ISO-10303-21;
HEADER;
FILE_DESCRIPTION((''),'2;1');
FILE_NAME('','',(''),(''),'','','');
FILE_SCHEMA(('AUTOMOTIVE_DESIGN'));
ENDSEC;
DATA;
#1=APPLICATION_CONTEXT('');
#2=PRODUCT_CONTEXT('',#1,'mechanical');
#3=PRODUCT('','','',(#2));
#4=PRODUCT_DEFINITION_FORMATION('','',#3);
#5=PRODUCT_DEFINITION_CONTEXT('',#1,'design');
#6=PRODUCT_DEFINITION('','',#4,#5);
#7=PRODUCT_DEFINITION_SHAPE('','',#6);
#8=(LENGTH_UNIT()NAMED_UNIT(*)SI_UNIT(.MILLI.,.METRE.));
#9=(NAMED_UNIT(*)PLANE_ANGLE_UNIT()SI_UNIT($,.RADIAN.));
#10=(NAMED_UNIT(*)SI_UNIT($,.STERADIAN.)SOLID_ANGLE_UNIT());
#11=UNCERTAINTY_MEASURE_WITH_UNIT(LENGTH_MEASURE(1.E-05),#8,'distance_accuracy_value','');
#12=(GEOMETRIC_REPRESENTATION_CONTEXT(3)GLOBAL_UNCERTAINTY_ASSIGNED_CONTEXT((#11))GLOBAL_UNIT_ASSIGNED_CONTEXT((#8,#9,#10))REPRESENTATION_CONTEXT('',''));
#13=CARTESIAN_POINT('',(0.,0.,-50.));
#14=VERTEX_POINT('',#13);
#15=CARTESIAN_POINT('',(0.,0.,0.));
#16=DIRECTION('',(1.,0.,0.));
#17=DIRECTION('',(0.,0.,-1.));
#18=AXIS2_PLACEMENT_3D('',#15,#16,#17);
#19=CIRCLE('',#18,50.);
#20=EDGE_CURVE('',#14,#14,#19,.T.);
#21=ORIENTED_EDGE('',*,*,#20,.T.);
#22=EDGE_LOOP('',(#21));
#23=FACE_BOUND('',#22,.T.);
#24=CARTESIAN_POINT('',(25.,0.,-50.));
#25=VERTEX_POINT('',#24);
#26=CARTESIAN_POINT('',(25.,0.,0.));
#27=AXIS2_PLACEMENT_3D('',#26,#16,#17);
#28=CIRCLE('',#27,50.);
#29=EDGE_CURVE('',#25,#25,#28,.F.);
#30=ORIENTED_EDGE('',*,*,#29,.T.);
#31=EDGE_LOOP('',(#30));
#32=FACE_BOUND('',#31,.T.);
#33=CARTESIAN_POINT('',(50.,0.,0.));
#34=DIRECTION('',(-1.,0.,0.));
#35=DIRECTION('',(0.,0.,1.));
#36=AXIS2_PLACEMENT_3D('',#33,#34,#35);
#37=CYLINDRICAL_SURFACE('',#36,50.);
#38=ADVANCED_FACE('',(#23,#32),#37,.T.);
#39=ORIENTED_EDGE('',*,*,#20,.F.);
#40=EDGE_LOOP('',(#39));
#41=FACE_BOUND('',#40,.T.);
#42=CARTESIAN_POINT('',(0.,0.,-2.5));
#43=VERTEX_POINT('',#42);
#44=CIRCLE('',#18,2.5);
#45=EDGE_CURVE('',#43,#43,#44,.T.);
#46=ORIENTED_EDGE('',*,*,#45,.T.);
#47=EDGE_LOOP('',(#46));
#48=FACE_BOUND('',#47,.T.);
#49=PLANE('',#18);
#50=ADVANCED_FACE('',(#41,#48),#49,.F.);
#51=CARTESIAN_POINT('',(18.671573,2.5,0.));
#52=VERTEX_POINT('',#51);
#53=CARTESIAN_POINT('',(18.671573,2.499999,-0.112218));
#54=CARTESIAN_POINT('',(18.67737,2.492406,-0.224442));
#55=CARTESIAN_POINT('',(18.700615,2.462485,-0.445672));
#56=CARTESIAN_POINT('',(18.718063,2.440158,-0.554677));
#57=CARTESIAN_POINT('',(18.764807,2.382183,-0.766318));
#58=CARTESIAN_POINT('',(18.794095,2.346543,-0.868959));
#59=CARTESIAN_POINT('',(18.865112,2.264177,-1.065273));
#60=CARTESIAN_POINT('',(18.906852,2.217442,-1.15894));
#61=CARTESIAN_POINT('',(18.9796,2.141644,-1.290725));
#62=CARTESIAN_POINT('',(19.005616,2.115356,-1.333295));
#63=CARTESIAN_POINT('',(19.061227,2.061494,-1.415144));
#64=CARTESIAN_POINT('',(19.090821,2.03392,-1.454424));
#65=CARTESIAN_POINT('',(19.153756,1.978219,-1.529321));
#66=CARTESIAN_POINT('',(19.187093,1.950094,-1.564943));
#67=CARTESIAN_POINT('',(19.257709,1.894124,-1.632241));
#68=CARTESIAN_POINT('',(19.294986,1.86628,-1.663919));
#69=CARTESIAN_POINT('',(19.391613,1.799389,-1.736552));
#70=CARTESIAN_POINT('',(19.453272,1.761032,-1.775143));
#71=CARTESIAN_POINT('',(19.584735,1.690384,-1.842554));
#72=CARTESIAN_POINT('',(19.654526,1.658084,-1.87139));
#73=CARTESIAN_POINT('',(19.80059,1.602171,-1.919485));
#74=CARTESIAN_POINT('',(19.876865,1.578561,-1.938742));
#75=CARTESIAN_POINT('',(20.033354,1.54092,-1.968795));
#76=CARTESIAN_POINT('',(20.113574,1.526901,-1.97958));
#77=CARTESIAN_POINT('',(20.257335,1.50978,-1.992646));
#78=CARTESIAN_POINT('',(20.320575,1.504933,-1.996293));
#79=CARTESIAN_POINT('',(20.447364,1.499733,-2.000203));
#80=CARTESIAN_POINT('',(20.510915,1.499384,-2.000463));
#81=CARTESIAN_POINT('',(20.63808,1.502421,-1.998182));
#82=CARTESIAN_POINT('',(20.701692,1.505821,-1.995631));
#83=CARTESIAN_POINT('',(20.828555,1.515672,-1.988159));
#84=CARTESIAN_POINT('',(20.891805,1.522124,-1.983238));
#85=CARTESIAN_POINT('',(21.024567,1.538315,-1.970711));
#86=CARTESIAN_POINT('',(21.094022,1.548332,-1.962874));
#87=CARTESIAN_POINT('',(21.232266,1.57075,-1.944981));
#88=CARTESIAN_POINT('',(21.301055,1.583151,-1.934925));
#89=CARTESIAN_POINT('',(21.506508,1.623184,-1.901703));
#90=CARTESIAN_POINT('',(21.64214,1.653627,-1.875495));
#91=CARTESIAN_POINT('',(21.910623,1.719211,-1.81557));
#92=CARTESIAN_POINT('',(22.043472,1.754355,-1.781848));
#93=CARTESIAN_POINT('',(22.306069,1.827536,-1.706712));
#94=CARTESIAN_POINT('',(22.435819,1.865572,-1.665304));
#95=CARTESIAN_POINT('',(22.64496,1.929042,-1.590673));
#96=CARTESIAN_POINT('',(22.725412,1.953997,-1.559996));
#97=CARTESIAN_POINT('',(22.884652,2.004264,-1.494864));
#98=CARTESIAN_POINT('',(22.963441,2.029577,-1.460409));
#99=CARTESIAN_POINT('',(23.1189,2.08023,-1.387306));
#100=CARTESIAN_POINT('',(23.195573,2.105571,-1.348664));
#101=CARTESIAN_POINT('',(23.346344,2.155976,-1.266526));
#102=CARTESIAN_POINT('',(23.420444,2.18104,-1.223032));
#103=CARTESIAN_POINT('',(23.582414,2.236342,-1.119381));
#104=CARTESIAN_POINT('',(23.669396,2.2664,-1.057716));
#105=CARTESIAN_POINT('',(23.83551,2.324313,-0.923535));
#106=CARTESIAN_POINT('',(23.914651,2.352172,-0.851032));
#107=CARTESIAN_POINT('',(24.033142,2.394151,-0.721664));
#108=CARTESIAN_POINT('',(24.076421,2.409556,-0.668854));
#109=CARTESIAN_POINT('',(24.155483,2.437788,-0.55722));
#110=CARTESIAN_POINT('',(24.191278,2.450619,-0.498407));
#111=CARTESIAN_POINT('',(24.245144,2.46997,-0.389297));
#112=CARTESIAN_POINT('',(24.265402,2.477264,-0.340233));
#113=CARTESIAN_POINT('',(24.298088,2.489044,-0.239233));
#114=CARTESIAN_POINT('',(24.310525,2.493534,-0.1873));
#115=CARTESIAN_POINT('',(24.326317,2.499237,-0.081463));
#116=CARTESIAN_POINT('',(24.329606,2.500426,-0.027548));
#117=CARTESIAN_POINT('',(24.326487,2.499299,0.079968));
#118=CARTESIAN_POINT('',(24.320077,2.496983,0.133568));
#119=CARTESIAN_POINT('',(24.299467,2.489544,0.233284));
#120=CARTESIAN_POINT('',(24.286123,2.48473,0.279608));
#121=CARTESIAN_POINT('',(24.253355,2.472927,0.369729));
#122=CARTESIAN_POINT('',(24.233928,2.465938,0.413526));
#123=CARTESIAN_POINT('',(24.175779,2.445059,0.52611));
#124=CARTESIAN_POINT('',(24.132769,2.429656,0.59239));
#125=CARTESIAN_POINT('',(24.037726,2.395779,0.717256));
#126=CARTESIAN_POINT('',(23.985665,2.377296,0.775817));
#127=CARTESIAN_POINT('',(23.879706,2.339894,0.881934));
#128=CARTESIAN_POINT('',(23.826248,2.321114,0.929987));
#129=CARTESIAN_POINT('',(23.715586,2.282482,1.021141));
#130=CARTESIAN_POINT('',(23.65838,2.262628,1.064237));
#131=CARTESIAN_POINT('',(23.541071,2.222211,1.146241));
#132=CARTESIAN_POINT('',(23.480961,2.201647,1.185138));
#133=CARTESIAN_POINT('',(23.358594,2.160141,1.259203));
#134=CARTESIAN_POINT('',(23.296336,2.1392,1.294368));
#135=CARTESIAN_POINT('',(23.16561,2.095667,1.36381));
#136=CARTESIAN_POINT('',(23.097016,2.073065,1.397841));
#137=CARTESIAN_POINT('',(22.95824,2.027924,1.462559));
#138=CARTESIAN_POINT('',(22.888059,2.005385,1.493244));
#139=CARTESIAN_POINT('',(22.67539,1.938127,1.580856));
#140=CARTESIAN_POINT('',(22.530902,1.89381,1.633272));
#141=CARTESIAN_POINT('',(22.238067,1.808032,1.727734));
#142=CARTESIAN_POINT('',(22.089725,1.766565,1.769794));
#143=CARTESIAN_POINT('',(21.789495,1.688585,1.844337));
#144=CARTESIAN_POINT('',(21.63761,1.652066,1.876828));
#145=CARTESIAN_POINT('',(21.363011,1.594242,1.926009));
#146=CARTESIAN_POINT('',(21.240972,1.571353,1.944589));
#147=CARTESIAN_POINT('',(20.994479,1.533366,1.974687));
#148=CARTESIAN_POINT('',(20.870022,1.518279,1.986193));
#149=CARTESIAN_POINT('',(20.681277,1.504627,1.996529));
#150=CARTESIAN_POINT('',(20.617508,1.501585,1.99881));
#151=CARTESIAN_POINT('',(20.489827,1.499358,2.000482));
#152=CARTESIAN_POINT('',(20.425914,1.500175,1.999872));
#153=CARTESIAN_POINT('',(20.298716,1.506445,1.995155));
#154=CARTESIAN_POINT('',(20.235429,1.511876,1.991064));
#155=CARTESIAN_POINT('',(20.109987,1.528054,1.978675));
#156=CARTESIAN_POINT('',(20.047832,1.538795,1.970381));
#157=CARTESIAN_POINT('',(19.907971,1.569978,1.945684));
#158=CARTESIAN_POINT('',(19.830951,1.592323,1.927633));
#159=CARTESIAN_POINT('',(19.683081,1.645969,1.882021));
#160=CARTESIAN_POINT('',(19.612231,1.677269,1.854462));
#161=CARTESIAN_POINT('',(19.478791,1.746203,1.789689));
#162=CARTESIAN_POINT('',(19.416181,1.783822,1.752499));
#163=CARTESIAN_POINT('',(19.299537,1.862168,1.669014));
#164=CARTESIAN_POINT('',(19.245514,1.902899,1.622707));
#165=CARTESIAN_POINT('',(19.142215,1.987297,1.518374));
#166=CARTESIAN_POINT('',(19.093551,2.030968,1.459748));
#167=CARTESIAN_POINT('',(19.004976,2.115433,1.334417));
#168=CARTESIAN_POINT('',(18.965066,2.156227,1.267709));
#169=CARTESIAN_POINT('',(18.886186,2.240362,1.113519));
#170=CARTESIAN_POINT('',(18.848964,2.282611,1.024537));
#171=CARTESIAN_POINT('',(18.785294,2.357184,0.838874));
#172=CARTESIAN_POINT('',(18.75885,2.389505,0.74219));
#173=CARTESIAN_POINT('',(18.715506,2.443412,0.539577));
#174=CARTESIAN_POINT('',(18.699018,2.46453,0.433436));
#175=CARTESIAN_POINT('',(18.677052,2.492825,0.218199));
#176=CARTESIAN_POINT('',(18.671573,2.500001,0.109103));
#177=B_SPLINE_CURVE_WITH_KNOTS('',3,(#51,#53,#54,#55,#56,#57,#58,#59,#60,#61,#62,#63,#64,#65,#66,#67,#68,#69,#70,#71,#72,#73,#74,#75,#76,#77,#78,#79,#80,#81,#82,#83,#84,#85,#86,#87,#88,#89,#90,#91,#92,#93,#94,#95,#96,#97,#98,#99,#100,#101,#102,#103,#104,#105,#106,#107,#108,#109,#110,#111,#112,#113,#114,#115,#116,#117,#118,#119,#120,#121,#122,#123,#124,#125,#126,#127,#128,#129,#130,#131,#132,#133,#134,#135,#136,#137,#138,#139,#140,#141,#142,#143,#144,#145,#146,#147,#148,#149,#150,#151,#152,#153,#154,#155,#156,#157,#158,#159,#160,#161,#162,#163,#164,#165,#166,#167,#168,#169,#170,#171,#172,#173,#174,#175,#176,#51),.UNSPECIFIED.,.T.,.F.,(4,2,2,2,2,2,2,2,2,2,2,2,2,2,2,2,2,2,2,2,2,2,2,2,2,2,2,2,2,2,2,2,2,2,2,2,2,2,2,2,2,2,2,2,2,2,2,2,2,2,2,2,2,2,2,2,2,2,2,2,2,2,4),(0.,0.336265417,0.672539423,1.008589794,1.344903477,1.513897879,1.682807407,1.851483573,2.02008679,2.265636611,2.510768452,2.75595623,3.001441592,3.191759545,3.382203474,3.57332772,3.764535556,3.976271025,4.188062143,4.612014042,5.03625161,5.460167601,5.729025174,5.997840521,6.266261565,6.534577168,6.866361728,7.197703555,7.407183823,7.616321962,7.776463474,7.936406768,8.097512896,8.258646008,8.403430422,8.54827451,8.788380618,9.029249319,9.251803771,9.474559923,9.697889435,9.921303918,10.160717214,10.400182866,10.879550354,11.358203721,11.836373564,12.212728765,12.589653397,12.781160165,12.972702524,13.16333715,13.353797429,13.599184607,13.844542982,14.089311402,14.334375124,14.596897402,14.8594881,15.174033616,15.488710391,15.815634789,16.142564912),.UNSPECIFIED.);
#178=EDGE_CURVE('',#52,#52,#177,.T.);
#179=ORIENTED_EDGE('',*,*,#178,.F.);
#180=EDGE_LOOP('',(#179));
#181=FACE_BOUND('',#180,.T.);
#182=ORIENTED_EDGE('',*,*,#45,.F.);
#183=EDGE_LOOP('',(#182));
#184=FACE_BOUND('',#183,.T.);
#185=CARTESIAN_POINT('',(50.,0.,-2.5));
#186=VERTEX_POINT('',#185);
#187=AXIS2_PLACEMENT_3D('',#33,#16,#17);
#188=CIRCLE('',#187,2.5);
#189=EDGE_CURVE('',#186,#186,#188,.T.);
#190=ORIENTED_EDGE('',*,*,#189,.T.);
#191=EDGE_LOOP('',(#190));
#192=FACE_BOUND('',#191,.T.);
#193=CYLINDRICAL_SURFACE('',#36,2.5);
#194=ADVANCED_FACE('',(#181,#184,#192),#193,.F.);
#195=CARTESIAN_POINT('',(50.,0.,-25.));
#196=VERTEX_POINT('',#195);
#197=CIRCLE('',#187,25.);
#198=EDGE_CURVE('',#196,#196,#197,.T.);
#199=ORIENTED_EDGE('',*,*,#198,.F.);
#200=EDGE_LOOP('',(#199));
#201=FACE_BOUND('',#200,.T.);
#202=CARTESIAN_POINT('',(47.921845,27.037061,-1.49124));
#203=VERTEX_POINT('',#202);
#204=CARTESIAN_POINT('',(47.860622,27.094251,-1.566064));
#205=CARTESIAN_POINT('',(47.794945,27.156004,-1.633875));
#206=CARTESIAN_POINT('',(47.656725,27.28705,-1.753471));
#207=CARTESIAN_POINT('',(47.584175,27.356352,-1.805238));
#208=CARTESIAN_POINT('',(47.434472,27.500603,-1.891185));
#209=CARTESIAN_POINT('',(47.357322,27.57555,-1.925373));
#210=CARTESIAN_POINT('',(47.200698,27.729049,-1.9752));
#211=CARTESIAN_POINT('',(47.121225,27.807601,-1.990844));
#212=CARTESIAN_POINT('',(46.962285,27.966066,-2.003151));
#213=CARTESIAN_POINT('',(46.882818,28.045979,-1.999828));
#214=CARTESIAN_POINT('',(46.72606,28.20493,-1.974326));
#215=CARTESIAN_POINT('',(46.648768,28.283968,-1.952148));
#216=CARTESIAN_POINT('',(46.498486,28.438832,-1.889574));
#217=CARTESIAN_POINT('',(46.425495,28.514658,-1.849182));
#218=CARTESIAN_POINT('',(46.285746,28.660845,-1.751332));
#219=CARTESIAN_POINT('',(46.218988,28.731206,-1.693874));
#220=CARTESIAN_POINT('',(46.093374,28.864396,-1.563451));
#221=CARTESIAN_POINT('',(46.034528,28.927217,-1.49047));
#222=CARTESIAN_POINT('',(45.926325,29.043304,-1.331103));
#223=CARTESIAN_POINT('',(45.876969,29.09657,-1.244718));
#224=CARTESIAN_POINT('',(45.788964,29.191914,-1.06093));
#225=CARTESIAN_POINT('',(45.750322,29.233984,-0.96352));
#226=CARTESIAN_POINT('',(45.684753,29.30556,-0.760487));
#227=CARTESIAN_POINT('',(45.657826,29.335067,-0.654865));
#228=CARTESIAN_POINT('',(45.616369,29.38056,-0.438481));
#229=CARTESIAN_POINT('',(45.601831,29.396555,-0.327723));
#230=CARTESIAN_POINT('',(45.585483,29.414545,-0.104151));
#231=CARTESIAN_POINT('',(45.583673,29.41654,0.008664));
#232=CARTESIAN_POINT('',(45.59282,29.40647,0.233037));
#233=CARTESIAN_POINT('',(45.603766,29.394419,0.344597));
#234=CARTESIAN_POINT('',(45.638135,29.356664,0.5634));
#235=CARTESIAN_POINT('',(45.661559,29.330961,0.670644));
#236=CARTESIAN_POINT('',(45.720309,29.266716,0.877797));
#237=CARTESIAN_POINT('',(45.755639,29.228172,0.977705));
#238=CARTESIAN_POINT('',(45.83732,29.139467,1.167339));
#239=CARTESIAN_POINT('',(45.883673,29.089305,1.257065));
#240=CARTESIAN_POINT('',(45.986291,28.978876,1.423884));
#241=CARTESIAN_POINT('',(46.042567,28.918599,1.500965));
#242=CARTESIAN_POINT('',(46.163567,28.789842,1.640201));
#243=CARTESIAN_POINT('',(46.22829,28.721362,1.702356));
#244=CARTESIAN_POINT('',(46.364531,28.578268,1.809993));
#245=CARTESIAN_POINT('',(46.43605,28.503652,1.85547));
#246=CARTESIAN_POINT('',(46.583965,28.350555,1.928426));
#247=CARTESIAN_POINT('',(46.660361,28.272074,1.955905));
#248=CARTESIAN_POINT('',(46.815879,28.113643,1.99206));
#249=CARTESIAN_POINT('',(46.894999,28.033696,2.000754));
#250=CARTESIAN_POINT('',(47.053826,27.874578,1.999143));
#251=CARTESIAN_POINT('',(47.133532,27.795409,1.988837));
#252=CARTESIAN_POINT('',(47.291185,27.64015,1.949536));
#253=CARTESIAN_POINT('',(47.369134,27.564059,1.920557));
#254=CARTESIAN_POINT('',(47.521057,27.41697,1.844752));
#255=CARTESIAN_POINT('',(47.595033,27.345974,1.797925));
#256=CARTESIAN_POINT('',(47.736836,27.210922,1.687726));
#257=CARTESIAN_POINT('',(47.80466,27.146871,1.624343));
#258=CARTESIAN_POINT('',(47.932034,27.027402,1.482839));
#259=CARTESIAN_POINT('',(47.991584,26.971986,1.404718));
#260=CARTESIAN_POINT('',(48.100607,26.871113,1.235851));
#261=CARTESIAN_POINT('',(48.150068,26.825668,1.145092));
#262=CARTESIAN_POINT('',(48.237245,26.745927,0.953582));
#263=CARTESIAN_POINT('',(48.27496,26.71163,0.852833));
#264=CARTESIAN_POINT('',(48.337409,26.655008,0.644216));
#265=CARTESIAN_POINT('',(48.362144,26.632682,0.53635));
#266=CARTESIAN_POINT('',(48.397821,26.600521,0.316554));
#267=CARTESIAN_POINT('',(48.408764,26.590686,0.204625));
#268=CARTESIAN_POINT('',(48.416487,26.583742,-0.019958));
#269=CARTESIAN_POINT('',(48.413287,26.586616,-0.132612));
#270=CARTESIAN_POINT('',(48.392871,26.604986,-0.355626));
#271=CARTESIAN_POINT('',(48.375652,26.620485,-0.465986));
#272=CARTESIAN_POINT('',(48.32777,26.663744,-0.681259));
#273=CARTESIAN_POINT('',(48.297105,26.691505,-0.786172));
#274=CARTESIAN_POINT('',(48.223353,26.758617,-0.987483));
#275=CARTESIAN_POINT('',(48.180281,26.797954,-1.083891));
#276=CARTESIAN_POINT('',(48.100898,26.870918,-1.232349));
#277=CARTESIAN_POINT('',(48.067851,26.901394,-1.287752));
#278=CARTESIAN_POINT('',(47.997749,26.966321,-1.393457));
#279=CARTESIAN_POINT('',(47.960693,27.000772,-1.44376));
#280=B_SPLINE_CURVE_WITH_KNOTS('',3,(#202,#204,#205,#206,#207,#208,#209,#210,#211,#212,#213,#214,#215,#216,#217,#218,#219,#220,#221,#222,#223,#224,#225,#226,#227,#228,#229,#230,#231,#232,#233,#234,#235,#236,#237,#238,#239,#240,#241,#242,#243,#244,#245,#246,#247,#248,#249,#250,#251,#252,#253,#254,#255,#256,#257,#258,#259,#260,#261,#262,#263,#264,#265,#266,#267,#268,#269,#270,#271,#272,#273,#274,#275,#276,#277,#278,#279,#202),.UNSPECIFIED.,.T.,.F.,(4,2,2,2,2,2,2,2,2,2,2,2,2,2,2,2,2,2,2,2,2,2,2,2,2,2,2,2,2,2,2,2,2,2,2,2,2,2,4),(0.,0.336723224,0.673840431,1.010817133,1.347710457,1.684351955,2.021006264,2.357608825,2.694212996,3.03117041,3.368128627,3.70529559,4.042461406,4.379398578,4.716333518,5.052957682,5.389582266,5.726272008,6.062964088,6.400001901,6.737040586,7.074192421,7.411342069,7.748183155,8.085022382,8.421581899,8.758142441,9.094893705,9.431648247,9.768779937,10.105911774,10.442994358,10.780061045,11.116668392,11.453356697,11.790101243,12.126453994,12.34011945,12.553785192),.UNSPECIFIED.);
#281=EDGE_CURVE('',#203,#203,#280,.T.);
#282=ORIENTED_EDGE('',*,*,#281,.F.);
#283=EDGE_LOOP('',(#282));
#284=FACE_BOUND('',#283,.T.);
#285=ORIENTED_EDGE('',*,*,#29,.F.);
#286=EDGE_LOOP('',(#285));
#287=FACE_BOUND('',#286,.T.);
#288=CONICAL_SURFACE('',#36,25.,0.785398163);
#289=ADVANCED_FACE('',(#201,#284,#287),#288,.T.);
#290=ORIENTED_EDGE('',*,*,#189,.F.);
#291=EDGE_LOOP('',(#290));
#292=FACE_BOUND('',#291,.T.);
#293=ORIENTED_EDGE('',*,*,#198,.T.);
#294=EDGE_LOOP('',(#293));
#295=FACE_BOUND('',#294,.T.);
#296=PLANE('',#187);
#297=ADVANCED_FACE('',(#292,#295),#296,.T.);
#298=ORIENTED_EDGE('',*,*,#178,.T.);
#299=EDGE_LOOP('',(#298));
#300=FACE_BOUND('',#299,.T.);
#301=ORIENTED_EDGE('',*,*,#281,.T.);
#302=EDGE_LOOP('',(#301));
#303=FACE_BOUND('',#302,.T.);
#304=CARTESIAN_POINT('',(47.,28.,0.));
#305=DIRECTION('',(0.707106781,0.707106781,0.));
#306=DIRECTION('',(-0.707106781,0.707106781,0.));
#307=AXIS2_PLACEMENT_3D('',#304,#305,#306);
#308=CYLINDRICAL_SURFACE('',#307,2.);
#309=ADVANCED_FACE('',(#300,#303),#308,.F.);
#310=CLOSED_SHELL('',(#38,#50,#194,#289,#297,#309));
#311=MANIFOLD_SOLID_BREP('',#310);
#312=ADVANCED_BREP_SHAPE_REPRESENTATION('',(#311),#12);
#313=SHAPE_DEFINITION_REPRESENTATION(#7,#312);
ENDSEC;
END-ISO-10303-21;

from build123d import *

# Parameters (mm, degrees)
SKIZZE1_R                           = 50
SKIZZE1_R_2                         = 2.5
AUFSATZ_LINEAR_AUSTRAGEN1_DEPTH     = 50
FASE1_SIZE                          = 25
F_4_0_4_DURCHMESSER_BOHRUNG1_REACH  = 90.388
F_4_0_4_DURCHMESSER_BOHRUNG1_BORE_R = 2


with BuildPart() as part:
    # Skizze1 → Aufsatz-Linear austragen1 (new body)
    with BuildSketch(Plane(origin=(0, 0, 0), x_dir=(0, 0, -1), z_dir=(1, 0, 0))):
        Circle(SKIZZE1_R)
        Circle(SKIZZE1_R_2, mode=Mode.SUBTRACT)
    extrude(amount=AUFSATZ_LINEAR_AUSTRAGEN1_DEPTH)

    # Fase1
    fase1_edges = [part.edges().sort_by_distance(p)[0] for p in [
        (50, 0, 50),
    ]]
    chamfer(fase1_edges, length=FASE1_SIZE)

    # Ø4.0 (4) Durchmesser Bohrung1 bore (on position points) → Ø4.0 (4) Durchmesser Bohrung1 (cut, up to next)
    with BuildSketch(Plane(origin=(47, 28, 0), x_dir=(0.707106781, -0.707106781, 0), z_dir=(0.707106781, 0.707106781, 0)), mode=Mode.PRIVATE) as f_4_0_4_durchmesser_bohrung1_sk1:
        Circle(F_4_0_4_DURCHMESSER_BOHRUNG1_BORE_R)
    f_4_0_4_durchmesser_bohrung1_tool1 = extrude(f_4_0_4_durchmesser_bohrung1_sk1.sketch, amount=-F_4_0_4_DURCHMESSER_BOHRUNG1_REACH, mode=Mode.PRIVATE) & part.part
    add(f_4_0_4_durchmesser_bohrung1_tool1.solids().sort_by_distance((47, 28, 0))[0], mode=Mode.SUBTRACT)


solid = part.part
